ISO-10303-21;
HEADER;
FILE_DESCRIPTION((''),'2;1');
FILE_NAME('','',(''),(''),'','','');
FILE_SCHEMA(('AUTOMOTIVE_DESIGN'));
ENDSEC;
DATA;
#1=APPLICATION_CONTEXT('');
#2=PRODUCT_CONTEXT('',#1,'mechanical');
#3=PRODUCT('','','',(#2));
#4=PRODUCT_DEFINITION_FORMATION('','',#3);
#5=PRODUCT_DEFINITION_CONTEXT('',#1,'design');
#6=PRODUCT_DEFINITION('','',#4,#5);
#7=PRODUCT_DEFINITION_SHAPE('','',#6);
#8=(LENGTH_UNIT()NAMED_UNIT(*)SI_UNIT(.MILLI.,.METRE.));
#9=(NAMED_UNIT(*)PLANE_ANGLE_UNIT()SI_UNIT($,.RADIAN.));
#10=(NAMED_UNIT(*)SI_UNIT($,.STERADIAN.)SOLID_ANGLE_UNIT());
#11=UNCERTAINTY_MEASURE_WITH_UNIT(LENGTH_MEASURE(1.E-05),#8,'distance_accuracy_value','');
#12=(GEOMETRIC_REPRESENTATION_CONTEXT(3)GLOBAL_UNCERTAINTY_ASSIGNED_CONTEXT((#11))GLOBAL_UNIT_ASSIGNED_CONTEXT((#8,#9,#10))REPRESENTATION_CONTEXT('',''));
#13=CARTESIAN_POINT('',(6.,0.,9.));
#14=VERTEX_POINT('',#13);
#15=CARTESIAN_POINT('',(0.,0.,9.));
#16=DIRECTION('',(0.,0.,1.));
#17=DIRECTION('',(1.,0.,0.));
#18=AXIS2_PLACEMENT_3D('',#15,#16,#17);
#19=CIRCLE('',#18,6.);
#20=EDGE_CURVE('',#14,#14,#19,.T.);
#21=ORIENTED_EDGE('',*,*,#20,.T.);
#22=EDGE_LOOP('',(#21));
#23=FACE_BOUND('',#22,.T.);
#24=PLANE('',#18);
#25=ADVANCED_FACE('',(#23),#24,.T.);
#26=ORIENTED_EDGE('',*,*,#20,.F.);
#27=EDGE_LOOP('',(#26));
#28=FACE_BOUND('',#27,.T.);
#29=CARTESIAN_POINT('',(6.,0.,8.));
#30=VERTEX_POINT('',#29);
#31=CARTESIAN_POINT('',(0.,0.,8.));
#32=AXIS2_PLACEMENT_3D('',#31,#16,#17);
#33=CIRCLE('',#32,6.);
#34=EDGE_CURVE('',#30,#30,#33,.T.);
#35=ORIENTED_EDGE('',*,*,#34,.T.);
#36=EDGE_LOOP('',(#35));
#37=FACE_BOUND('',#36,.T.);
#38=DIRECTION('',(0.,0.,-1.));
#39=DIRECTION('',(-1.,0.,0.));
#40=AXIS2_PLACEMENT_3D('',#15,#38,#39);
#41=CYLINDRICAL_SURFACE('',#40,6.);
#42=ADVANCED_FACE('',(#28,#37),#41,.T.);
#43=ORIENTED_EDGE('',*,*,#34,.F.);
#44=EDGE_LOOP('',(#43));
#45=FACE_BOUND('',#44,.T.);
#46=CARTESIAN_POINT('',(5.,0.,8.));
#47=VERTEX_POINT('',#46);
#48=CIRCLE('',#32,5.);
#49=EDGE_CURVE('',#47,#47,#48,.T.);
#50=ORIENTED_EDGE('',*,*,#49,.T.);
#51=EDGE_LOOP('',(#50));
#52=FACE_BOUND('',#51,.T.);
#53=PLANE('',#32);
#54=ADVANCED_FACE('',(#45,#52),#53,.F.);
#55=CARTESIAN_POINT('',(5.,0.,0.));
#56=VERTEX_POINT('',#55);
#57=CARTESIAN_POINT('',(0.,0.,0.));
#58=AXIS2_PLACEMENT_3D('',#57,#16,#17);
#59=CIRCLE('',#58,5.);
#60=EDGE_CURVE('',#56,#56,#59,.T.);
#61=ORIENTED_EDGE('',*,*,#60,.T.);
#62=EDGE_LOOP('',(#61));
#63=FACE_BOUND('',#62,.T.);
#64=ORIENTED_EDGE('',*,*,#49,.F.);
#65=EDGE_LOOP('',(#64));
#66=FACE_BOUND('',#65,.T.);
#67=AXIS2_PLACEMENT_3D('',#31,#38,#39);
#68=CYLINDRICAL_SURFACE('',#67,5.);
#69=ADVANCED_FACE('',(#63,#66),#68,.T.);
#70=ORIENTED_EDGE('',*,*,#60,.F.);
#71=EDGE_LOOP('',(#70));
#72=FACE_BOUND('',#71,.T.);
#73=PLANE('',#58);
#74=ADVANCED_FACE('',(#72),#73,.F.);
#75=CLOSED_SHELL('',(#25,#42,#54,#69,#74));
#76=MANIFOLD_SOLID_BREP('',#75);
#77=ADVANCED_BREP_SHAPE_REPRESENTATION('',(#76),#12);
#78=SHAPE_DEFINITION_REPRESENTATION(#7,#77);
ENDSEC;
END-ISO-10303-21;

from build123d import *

# Parameters (mm, degrees)
SKETCH1_R           = 5
BOSS_EXTRUDE1_DEPTH = 8
SKETCH2_R           = 6
BOSS_EXTRUDE2_DEPTH = 1


with BuildPart() as part:
    # Sketch1 → Boss-Extrude1 (new body)
    with BuildSketch(Plane.XY):
        Circle(SKETCH1_R)
    extrude(amount=BOSS_EXTRUDE1_DEPTH)

    # Sketch2 → Boss-Extrude2 (add)
    with BuildSketch(Plane.XY.offset(8)):
        Circle(SKETCH2_R)
    extrude(amount=BOSS_EXTRUDE2_DEPTH)


solid = part.part
